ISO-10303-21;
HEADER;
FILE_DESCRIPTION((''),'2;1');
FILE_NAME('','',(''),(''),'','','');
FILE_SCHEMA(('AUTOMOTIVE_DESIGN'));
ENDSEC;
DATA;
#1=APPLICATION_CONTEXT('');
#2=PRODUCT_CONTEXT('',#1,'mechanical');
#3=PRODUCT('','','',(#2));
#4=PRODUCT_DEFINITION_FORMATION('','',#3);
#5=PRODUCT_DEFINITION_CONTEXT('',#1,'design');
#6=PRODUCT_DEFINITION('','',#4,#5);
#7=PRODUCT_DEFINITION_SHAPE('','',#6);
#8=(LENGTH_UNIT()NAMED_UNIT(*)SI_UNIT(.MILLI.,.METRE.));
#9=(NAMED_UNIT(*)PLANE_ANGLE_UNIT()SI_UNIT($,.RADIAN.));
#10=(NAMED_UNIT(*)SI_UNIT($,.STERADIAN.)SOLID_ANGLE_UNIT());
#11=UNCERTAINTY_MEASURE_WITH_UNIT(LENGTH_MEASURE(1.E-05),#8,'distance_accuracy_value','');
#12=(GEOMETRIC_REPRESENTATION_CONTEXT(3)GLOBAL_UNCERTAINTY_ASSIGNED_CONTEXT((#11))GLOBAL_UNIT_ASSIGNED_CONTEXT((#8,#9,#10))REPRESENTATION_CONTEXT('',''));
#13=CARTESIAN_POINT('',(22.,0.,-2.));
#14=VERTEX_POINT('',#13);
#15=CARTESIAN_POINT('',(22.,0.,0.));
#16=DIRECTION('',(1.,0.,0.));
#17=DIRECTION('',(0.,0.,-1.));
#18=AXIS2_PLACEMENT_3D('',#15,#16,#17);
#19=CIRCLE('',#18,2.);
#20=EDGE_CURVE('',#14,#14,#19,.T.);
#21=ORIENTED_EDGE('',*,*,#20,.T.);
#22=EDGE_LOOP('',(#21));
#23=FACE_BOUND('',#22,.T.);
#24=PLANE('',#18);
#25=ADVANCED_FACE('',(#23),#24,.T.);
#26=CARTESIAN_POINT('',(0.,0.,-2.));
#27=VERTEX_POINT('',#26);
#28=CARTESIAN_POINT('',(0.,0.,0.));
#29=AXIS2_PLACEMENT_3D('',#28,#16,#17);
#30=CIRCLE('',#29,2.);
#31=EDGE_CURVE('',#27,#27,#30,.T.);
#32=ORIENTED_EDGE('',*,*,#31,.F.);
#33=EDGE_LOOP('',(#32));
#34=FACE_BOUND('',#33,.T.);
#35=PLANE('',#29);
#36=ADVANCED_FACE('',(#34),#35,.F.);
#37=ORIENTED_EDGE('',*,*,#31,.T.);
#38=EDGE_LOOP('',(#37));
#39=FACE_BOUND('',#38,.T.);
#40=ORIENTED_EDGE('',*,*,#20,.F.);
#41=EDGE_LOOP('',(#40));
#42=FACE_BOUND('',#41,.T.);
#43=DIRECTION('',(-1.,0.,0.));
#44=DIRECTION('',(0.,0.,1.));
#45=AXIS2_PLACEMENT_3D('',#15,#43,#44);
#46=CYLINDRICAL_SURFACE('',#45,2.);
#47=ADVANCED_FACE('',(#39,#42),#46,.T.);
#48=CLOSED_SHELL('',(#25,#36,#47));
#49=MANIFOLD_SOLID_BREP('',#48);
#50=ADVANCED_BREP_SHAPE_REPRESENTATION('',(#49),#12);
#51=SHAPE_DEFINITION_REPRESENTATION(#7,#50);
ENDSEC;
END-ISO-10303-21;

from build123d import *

# Parameters (mm, degrees)
SCHIZZO1_R                   = 2
ESTRUSIONE_ESTRUSIONE1_DEPTH = 22


with BuildPart() as part:
    # Schizzo1 → Estrusione-Estrusione1 (new body)
    with BuildSketch(Plane(origin=(0, 0, 0), x_dir=(0, 0, -1), z_dir=(1, 0, 0))):
        Circle(SCHIZZO1_R)
    extrude(amount=ESTRUSIONE_ESTRUSIONE1_DEPTH)


solid = part.part
